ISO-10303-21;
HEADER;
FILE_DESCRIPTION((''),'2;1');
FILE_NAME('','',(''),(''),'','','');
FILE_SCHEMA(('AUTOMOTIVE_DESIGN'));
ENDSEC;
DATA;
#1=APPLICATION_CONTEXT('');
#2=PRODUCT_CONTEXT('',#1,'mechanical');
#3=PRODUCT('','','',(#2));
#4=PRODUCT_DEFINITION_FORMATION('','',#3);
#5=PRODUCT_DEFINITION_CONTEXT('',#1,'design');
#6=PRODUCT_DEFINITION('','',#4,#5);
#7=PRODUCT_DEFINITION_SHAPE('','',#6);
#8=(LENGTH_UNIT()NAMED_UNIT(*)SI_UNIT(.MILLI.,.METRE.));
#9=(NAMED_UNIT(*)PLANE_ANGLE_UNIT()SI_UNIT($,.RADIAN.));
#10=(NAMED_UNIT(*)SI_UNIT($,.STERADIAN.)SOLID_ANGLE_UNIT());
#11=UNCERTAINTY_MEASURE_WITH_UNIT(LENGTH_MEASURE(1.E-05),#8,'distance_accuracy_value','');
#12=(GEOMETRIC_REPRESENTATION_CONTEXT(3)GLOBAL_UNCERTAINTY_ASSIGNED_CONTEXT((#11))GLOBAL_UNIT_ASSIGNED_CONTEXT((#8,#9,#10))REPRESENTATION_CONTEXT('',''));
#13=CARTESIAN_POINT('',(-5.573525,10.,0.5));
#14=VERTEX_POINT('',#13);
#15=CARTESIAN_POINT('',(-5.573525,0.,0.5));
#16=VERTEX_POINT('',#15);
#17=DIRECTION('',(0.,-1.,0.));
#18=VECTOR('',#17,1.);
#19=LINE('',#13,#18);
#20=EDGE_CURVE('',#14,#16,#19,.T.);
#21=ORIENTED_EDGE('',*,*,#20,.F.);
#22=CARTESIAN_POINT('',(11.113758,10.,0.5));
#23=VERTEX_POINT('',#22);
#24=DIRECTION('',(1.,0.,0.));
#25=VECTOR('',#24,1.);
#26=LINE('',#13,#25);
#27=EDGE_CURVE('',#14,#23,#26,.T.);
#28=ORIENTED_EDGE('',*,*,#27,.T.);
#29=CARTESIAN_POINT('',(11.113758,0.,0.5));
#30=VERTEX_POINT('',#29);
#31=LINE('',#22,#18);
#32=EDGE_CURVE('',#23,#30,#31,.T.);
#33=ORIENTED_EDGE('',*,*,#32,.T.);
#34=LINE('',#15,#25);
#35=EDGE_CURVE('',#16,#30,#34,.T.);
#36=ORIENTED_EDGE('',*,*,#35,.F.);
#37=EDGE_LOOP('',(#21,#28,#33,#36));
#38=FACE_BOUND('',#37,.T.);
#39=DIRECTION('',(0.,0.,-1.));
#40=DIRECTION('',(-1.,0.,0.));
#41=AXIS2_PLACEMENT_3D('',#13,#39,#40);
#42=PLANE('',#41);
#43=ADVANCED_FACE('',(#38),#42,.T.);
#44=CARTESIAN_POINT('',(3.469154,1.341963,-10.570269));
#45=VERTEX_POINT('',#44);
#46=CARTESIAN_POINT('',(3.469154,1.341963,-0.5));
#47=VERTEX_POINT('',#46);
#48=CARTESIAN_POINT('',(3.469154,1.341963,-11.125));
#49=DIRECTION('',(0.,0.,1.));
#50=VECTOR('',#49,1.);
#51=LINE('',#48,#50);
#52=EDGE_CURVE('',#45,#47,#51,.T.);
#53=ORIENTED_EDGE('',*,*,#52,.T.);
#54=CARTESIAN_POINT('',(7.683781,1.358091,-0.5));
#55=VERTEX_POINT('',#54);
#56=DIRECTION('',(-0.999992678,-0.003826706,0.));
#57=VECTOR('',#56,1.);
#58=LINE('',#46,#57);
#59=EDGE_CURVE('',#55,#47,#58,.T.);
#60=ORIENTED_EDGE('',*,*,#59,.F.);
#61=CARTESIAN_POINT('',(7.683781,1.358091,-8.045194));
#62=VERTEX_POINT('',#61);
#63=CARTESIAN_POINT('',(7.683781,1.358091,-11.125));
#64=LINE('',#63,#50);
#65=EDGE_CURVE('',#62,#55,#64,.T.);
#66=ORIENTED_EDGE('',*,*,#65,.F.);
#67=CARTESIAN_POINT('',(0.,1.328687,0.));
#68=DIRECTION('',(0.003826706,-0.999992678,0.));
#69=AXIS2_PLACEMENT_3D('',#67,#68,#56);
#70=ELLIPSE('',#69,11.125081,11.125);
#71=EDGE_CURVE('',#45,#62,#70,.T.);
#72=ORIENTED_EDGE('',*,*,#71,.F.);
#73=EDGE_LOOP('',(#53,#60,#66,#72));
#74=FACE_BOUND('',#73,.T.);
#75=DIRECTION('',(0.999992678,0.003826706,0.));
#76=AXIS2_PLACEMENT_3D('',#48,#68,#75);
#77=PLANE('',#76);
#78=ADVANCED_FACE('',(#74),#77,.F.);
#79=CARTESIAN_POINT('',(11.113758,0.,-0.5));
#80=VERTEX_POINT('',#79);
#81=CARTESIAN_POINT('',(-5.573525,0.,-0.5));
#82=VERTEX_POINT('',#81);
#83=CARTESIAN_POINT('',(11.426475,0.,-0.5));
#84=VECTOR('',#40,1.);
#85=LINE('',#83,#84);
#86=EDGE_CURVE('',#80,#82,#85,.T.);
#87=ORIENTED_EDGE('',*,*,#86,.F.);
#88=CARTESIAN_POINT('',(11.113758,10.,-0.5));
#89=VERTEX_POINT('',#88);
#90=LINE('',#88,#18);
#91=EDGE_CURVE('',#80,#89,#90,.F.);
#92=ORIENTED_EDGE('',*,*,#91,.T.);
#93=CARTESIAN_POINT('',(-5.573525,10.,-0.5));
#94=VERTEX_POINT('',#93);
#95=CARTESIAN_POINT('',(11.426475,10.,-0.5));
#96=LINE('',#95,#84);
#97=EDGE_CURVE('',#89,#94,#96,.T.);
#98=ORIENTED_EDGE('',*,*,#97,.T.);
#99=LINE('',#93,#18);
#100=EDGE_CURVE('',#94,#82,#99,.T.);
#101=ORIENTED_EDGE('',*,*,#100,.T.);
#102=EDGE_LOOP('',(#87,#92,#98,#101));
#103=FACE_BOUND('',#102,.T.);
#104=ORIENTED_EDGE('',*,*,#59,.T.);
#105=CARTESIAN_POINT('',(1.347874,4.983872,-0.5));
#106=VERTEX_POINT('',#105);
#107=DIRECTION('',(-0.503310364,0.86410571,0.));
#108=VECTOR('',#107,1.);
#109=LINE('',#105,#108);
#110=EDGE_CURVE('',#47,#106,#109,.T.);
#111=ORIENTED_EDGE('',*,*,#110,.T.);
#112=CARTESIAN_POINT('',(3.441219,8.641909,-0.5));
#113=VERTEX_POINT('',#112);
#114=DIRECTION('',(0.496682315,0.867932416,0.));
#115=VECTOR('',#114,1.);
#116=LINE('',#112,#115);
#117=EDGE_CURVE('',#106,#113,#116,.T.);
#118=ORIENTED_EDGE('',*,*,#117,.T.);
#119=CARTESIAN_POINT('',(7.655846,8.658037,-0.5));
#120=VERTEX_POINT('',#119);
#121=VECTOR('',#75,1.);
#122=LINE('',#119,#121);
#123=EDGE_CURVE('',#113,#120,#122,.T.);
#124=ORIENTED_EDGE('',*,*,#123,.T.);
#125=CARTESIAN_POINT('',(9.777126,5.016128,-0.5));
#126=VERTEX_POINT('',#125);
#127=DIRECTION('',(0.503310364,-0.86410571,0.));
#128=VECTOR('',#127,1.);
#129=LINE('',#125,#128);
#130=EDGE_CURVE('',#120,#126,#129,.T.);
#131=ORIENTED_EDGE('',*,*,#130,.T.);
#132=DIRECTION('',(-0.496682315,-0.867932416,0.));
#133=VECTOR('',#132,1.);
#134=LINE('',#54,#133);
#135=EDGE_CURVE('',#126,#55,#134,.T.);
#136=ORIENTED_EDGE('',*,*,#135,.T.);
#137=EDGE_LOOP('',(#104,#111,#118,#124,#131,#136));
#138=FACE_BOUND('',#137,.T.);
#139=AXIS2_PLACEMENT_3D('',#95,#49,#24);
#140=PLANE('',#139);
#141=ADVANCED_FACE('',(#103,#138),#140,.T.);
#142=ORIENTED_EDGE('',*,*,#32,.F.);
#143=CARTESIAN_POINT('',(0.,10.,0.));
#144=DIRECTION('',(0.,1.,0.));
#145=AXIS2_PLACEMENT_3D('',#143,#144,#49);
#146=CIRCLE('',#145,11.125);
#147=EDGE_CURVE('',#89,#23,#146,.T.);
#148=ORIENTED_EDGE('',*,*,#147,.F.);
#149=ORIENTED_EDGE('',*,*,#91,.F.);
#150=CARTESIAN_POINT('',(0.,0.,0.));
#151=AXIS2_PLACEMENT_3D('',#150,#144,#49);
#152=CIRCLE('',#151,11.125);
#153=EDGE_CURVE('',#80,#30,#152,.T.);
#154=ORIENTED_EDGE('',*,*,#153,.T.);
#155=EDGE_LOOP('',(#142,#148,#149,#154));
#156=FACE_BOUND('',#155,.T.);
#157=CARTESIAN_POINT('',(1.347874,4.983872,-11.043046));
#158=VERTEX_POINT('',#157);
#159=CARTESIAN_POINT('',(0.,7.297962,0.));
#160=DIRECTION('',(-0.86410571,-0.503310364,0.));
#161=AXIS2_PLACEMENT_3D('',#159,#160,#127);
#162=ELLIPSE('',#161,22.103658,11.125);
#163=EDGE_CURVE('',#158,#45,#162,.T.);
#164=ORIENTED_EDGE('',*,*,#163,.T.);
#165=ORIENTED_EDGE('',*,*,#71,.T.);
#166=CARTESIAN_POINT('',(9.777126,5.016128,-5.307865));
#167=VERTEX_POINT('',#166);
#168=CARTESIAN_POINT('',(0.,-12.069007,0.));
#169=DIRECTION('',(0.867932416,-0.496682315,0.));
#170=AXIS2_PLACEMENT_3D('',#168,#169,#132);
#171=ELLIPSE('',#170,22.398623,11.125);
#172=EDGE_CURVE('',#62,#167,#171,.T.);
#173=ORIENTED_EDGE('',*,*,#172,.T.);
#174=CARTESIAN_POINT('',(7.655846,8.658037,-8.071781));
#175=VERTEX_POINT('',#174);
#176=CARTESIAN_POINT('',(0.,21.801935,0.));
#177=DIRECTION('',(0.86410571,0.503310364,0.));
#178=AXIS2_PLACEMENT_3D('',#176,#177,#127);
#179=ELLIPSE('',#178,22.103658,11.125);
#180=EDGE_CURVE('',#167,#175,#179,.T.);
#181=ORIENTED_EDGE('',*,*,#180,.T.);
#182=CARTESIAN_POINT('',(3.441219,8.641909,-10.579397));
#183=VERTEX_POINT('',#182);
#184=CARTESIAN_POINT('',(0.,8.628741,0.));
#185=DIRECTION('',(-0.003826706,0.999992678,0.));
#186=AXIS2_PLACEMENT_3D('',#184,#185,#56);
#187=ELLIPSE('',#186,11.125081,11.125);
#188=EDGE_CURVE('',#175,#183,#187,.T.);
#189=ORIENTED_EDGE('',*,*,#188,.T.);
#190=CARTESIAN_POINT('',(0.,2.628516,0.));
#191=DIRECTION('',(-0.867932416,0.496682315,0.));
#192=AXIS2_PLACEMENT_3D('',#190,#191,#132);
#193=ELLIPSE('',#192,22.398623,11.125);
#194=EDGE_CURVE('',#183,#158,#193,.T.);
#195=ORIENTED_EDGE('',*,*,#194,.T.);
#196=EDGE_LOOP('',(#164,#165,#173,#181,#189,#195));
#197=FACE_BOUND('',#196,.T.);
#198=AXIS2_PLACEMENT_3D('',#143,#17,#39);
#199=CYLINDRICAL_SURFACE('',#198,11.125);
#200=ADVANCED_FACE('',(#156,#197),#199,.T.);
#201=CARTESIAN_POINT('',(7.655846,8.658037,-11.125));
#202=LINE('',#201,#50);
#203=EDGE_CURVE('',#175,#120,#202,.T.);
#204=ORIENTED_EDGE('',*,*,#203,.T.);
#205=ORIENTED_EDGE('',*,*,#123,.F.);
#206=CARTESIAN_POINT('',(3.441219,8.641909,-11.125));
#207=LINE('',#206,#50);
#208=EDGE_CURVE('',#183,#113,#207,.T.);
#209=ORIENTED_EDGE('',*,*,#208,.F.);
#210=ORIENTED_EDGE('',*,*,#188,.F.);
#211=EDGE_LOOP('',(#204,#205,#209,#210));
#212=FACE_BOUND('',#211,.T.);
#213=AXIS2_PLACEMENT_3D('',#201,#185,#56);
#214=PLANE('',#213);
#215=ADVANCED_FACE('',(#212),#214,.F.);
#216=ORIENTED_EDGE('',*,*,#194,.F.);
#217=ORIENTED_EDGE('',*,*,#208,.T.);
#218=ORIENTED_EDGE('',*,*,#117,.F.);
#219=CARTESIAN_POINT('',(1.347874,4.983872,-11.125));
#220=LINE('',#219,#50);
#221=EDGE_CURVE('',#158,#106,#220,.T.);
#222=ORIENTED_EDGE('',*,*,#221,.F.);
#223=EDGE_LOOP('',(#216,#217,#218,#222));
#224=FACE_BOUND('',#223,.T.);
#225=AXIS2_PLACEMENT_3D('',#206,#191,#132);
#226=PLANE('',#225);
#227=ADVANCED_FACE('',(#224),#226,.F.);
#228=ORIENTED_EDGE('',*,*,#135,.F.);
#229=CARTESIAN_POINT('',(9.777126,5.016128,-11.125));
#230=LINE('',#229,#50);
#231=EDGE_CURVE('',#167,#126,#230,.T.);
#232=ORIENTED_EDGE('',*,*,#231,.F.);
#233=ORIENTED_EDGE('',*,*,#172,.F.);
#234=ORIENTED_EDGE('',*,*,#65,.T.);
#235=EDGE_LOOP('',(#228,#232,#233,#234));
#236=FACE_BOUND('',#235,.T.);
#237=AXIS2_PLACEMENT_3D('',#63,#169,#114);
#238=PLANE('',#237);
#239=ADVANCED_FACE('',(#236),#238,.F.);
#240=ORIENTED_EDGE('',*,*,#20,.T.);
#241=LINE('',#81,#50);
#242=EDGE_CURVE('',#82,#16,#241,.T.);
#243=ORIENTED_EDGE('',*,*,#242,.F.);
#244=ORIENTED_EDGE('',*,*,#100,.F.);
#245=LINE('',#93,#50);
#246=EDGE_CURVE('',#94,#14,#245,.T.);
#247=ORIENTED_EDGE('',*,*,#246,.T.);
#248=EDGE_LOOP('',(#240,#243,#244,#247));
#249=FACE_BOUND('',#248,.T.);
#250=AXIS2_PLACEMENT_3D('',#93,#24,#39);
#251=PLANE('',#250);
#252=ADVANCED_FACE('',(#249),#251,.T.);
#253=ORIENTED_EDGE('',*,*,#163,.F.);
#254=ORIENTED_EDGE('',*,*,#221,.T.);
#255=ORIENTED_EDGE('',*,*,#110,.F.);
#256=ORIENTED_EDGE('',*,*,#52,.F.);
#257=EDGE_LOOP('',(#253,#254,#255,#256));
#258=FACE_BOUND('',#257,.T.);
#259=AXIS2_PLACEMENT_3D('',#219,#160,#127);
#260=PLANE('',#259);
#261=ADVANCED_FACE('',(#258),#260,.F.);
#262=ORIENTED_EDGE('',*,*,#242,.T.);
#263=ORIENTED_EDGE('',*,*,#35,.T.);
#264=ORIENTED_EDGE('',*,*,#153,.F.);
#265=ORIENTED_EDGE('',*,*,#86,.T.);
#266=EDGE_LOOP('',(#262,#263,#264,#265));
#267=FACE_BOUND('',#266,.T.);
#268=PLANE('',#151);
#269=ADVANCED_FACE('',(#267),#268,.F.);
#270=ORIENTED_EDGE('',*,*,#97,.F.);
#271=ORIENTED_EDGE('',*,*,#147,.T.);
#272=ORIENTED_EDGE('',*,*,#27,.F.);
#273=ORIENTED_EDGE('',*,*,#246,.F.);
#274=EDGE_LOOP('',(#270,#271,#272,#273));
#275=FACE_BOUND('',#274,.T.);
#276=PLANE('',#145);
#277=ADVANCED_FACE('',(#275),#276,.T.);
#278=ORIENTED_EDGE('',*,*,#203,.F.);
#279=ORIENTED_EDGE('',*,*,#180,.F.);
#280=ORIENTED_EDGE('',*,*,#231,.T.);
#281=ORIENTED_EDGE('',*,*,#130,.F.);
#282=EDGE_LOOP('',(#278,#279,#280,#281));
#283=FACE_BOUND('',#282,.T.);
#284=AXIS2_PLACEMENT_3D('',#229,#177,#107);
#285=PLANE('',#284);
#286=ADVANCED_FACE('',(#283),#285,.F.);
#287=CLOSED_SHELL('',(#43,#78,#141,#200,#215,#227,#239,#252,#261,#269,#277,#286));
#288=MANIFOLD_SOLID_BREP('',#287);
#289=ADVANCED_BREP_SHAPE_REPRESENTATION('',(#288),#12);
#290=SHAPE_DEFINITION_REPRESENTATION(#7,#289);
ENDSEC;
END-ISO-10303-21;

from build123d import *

# Parameters (mm, degrees)
SKETCH1_R           = 11.125
BOSS_EXTRUDE1_DEPTH = 10
CUT_EXTRUDE1_DEPTH  = 19.642190054
SKETCH3_W           = 17
SKETCH3_H           = 1
CUT_EXTRUDE2_DEPTH  = 19.642190054


with BuildPart() as part:
    # Sketch1 → Boss-Extrude1 (new body)
    with BuildSketch(Plane(origin=(0, 0, 0), x_dir=(1, 0, 0), z_dir=(0, 1, 0))):
        with Locations(Location((0, 0, 0), (0, 0, 270))):
            Circle(SKETCH1_R)
    extrude(amount=BOSS_EXTRUDE1_DEPTH)

    # Sketch2 → Cut-Extrude1 (cut, through all)
    with BuildSketch(Plane.XY):
        Polygon((3.469154423, 1.341962599), (7.683780529, 1.358090851), (9.777126106, 5.016128252), (7.655845577, 8.658037401), (3.441219471, 8.641909149), (1.347873894, 4.983871748), align=None)
    extrude(amount=-CUT_EXTRUDE1_DEPTH, mode=Mode.SUBTRACT)

    # Sketch3 → Cut-Extrude2 (cut, through all)
    with BuildSketch(Plane(origin=(0, 0, 0), x_dir=(1, 0, 0), z_dir=(0, 1, 0))):
        with Locations((2.926474536, 0)):
            Rectangle(SKETCH3_W, SKETCH3_H)
    extrude(amount=CUT_EXTRUDE2_DEPTH, mode=Mode.SUBTRACT)


solid = part.part
